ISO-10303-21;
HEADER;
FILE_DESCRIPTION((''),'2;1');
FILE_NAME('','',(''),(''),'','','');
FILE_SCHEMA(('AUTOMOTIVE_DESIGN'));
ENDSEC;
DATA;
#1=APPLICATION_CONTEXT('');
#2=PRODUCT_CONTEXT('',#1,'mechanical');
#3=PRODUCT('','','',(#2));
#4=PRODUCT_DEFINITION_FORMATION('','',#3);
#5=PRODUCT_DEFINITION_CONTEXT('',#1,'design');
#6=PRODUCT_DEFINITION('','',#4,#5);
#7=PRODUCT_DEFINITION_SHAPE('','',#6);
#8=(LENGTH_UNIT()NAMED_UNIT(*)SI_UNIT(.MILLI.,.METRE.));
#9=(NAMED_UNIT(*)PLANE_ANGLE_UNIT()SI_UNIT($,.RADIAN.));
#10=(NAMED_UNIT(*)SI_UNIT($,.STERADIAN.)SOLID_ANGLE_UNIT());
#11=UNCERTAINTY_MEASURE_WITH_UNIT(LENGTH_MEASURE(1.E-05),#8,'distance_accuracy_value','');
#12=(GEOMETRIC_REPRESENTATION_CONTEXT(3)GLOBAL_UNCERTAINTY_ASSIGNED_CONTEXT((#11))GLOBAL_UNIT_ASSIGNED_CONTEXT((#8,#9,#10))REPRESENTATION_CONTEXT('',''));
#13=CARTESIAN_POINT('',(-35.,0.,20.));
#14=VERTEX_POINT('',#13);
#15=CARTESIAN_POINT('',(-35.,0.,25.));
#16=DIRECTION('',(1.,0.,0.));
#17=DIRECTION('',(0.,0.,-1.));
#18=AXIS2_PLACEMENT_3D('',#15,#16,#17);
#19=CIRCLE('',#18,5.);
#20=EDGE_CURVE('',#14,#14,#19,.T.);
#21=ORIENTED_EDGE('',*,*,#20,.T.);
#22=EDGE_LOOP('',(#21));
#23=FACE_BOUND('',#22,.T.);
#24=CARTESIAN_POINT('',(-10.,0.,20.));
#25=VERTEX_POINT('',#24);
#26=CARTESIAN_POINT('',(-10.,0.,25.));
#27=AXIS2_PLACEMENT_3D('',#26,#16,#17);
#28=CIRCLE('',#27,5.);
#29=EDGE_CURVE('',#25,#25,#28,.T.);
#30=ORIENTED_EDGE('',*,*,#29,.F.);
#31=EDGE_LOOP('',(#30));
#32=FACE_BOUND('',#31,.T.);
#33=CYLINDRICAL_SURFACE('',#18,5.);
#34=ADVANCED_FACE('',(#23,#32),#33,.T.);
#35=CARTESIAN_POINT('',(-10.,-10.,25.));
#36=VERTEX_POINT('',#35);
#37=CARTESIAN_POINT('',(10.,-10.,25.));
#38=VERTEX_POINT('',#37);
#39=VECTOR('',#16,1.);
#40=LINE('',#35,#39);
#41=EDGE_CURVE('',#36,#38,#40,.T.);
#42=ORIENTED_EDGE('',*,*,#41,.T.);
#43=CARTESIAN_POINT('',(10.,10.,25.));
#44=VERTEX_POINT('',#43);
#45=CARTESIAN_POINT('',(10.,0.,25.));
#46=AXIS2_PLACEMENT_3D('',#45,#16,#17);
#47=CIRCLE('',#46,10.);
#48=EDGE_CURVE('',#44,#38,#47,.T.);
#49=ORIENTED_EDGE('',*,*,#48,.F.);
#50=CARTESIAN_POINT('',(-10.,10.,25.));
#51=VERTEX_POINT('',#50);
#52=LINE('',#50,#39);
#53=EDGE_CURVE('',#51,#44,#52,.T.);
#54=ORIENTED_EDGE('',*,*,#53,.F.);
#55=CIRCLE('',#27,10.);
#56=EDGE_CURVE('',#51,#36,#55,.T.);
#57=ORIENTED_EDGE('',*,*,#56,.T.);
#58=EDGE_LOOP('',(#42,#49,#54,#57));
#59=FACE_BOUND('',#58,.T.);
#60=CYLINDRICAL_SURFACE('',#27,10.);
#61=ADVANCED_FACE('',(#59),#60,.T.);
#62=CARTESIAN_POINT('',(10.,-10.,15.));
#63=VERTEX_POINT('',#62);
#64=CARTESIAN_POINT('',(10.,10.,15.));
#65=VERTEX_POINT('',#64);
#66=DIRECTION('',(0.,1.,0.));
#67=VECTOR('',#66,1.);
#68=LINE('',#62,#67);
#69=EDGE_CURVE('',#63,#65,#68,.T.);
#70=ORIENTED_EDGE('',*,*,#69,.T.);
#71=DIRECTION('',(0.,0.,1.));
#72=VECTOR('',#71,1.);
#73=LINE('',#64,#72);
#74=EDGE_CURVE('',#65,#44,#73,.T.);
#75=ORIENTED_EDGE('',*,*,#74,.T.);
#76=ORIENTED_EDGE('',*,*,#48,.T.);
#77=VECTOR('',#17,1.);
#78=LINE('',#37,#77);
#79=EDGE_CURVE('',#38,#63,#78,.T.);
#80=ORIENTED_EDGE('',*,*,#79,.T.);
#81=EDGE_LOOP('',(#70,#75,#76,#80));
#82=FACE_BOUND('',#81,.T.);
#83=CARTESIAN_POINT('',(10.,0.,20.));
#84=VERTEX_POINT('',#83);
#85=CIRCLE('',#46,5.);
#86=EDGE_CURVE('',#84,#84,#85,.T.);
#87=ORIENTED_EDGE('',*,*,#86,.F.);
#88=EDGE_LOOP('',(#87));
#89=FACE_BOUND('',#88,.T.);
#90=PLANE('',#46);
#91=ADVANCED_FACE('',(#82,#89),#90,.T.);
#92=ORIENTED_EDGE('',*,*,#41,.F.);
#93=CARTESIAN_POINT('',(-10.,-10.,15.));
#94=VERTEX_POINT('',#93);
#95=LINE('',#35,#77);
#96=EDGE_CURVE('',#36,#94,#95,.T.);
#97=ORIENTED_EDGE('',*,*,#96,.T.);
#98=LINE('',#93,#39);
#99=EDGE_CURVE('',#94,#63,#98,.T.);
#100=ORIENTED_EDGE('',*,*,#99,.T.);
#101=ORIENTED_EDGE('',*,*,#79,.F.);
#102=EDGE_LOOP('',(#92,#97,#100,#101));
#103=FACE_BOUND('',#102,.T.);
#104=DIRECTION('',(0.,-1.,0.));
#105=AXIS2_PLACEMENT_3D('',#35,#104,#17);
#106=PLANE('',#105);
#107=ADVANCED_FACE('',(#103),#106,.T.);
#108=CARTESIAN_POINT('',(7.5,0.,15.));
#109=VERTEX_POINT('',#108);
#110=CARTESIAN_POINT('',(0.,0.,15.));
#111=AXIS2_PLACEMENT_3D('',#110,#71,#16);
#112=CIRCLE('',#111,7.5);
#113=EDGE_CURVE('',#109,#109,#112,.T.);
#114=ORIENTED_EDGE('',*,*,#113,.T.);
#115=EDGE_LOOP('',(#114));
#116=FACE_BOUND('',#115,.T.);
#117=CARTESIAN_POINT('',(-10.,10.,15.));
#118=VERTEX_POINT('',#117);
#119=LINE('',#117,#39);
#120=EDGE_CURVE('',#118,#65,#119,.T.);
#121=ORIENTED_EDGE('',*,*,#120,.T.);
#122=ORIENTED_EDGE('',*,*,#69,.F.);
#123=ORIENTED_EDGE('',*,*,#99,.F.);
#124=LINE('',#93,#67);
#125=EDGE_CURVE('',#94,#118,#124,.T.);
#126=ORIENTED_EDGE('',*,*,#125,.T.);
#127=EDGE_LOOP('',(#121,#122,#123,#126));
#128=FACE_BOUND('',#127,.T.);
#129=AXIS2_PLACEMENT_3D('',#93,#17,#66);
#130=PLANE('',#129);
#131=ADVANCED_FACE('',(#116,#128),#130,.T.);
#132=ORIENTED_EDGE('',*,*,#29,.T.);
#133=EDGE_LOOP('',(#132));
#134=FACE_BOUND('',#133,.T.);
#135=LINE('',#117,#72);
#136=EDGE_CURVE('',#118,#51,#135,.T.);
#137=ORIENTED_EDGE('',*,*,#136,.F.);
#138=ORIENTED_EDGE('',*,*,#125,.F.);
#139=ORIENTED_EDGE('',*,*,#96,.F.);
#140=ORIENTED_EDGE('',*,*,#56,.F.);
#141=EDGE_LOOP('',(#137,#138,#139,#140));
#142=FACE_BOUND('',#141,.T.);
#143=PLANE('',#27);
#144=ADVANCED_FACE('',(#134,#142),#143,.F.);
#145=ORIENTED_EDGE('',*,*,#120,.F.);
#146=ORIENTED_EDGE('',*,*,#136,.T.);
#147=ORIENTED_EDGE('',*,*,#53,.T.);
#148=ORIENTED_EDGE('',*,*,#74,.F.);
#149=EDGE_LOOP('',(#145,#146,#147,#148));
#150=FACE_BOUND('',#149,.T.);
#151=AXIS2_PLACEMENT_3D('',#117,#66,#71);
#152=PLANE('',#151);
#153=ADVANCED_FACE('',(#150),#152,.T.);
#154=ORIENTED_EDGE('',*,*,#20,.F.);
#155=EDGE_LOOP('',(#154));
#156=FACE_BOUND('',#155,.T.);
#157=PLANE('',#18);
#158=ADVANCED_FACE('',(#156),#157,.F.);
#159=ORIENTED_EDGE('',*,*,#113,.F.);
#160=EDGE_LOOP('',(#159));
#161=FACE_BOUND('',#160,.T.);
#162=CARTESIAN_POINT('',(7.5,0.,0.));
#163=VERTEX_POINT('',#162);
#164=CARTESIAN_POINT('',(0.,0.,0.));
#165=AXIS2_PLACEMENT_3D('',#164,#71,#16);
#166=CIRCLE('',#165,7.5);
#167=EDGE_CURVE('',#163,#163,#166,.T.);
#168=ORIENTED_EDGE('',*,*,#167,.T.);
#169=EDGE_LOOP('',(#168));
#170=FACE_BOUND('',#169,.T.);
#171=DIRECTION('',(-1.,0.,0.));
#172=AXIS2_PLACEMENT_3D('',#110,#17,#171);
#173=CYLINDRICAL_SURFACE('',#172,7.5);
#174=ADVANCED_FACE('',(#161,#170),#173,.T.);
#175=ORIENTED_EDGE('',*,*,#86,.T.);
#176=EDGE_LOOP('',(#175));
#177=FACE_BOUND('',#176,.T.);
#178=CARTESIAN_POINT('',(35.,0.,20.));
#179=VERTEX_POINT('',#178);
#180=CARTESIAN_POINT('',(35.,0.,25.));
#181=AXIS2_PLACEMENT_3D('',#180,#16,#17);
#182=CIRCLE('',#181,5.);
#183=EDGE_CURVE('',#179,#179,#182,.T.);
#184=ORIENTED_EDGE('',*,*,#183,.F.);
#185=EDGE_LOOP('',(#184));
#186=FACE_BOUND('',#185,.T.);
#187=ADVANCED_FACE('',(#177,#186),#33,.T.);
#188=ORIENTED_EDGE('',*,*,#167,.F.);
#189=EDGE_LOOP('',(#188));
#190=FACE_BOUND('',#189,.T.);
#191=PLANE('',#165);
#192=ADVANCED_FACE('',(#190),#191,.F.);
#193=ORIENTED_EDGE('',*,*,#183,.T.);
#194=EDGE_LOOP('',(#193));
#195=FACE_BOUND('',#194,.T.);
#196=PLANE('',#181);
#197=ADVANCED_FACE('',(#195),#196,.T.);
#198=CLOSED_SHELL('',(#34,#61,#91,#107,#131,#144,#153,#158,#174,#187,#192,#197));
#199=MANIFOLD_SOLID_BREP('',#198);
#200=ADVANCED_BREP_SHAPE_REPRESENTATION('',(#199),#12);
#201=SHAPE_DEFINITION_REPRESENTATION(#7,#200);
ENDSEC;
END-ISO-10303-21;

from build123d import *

# Parameters (mm, degrees)
SKETCH_1_R           = 7.5
EXTRUDE_1_DEPTH      = 15
EXTRUDE_2_DEPTH      = 10
EXTRUDE_2_DEPTH_BACK = 10
EXTRUDE_3_DEPTH      = 35
EXTRUDE_3_DEPTH_BACK = 35
SKETCH_3_R           = 5


with BuildPart() as part:
    # Эскиз1 → Бобышка-Вытянуть1 (new body)
    with BuildSketch(Plane.XY):
        Circle(SKETCH_1_R)
    extrude(amount=EXTRUDE_1_DEPTH)

    # Эскиз2 → Бобышка-Вытянуть2 (add, two sides: drawn at the far end of the back side and taken through both)
    with BuildSketch(Plane(origin=(0, 0, 0), x_dir=(0, 0, -1), z_dir=(1, 0, 0)).offset(-EXTRUDE_2_DEPTH_BACK)):
        with BuildLine():
            Line((-15, 10), (-25, 10))
            ThreePointArc((-25, 10), (-35, 0), (-25, -10))
            Line((-25, -10), (-15, -10))
            Line((-15, -10), (-15, 10))
        make_face()
    extrude(amount=EXTRUDE_2_DEPTH + EXTRUDE_2_DEPTH_BACK)

    # Эскиз3 → Бобышка-Вытянуть3 (add, two sides: drawn at the far end of the back side and taken through both)
    with BuildSketch(Plane(origin=(0, 0, 0), x_dir=(0, 0, -1), z_dir=(1, 0, 0)).offset(-EXTRUDE_3_DEPTH_BACK)):
        with Locations((-25, 0)):
            Circle(SKETCH_3_R)
    extrude(amount=EXTRUDE_3_DEPTH + EXTRUDE_3_DEPTH_BACK)


solid = part.part
